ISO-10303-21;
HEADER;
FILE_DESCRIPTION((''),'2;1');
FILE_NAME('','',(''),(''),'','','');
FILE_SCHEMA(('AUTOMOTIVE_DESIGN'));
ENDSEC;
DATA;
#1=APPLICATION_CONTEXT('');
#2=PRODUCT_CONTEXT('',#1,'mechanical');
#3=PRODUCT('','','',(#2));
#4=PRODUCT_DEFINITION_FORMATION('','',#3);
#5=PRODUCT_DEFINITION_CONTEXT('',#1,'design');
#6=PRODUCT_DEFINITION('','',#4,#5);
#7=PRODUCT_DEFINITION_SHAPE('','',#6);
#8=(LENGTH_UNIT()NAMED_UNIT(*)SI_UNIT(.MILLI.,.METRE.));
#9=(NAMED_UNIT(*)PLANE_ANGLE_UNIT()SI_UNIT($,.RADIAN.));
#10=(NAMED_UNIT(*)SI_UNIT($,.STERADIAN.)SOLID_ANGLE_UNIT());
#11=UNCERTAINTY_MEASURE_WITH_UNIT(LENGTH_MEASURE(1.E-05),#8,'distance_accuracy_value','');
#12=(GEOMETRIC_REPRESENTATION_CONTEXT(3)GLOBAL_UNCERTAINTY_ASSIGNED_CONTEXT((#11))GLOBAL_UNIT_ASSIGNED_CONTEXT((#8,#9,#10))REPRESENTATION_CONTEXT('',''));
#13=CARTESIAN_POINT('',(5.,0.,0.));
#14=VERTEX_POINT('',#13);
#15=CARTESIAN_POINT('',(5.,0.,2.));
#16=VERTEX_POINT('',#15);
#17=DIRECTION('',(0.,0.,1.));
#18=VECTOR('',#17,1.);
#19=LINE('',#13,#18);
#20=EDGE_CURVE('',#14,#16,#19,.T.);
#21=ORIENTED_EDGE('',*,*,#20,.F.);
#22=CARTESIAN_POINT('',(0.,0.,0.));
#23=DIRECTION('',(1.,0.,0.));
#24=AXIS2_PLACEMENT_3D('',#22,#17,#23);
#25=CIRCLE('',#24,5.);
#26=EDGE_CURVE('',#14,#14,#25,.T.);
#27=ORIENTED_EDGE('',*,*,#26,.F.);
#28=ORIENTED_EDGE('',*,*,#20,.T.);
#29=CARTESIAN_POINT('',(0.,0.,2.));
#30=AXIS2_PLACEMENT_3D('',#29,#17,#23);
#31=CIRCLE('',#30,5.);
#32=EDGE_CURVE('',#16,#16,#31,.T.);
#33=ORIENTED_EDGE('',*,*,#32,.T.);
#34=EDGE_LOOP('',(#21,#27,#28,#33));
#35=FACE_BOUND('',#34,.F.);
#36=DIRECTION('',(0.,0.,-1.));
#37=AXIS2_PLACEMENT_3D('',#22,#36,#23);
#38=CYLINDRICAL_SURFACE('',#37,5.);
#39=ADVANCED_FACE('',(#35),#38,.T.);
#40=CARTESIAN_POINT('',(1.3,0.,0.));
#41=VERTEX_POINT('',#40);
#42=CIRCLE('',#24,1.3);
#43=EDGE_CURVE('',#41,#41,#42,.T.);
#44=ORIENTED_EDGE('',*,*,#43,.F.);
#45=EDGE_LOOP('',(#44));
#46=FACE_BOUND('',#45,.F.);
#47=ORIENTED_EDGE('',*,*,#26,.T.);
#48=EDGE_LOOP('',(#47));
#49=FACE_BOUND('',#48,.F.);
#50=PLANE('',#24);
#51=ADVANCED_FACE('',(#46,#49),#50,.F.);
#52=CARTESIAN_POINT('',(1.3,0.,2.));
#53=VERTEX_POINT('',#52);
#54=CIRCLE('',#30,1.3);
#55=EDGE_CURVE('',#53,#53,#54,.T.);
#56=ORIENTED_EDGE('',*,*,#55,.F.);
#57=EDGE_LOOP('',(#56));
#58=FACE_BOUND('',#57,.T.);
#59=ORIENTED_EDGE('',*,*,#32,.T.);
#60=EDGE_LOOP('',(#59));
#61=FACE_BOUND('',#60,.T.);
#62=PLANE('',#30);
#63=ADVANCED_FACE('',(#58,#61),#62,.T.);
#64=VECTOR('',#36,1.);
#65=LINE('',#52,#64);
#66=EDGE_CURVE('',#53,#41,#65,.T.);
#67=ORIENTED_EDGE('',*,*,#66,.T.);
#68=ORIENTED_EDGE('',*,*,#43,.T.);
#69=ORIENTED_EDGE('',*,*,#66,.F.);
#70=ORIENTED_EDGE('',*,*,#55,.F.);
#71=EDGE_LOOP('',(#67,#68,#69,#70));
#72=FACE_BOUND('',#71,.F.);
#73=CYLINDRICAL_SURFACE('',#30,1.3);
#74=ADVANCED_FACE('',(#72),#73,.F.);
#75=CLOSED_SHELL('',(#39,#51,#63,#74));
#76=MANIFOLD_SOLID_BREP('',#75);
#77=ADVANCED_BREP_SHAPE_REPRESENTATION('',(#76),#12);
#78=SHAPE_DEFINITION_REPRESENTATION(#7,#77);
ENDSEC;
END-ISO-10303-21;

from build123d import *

# Parameters (mm, degrees)
SKETCH_R     = 5
PAD_DEPTH    = 2
SKETCH001_R  = 1.3
POCKET_DEPTH = 5


with BuildPart() as part:
    # Sketch → Pad (new body)
    with BuildSketch(Plane.XY):
        Circle(SKETCH_R)
    extrude(amount=PAD_DEPTH)

    # Sketch001 (on Face3 of Pad) → Pocket (cut)
    with BuildSketch(Plane.XY.offset(2)):
        Circle(SKETCH001_R)
    extrude(amount=-POCKET_DEPTH, mode=Mode.SUBTRACT)


solid = part.part
